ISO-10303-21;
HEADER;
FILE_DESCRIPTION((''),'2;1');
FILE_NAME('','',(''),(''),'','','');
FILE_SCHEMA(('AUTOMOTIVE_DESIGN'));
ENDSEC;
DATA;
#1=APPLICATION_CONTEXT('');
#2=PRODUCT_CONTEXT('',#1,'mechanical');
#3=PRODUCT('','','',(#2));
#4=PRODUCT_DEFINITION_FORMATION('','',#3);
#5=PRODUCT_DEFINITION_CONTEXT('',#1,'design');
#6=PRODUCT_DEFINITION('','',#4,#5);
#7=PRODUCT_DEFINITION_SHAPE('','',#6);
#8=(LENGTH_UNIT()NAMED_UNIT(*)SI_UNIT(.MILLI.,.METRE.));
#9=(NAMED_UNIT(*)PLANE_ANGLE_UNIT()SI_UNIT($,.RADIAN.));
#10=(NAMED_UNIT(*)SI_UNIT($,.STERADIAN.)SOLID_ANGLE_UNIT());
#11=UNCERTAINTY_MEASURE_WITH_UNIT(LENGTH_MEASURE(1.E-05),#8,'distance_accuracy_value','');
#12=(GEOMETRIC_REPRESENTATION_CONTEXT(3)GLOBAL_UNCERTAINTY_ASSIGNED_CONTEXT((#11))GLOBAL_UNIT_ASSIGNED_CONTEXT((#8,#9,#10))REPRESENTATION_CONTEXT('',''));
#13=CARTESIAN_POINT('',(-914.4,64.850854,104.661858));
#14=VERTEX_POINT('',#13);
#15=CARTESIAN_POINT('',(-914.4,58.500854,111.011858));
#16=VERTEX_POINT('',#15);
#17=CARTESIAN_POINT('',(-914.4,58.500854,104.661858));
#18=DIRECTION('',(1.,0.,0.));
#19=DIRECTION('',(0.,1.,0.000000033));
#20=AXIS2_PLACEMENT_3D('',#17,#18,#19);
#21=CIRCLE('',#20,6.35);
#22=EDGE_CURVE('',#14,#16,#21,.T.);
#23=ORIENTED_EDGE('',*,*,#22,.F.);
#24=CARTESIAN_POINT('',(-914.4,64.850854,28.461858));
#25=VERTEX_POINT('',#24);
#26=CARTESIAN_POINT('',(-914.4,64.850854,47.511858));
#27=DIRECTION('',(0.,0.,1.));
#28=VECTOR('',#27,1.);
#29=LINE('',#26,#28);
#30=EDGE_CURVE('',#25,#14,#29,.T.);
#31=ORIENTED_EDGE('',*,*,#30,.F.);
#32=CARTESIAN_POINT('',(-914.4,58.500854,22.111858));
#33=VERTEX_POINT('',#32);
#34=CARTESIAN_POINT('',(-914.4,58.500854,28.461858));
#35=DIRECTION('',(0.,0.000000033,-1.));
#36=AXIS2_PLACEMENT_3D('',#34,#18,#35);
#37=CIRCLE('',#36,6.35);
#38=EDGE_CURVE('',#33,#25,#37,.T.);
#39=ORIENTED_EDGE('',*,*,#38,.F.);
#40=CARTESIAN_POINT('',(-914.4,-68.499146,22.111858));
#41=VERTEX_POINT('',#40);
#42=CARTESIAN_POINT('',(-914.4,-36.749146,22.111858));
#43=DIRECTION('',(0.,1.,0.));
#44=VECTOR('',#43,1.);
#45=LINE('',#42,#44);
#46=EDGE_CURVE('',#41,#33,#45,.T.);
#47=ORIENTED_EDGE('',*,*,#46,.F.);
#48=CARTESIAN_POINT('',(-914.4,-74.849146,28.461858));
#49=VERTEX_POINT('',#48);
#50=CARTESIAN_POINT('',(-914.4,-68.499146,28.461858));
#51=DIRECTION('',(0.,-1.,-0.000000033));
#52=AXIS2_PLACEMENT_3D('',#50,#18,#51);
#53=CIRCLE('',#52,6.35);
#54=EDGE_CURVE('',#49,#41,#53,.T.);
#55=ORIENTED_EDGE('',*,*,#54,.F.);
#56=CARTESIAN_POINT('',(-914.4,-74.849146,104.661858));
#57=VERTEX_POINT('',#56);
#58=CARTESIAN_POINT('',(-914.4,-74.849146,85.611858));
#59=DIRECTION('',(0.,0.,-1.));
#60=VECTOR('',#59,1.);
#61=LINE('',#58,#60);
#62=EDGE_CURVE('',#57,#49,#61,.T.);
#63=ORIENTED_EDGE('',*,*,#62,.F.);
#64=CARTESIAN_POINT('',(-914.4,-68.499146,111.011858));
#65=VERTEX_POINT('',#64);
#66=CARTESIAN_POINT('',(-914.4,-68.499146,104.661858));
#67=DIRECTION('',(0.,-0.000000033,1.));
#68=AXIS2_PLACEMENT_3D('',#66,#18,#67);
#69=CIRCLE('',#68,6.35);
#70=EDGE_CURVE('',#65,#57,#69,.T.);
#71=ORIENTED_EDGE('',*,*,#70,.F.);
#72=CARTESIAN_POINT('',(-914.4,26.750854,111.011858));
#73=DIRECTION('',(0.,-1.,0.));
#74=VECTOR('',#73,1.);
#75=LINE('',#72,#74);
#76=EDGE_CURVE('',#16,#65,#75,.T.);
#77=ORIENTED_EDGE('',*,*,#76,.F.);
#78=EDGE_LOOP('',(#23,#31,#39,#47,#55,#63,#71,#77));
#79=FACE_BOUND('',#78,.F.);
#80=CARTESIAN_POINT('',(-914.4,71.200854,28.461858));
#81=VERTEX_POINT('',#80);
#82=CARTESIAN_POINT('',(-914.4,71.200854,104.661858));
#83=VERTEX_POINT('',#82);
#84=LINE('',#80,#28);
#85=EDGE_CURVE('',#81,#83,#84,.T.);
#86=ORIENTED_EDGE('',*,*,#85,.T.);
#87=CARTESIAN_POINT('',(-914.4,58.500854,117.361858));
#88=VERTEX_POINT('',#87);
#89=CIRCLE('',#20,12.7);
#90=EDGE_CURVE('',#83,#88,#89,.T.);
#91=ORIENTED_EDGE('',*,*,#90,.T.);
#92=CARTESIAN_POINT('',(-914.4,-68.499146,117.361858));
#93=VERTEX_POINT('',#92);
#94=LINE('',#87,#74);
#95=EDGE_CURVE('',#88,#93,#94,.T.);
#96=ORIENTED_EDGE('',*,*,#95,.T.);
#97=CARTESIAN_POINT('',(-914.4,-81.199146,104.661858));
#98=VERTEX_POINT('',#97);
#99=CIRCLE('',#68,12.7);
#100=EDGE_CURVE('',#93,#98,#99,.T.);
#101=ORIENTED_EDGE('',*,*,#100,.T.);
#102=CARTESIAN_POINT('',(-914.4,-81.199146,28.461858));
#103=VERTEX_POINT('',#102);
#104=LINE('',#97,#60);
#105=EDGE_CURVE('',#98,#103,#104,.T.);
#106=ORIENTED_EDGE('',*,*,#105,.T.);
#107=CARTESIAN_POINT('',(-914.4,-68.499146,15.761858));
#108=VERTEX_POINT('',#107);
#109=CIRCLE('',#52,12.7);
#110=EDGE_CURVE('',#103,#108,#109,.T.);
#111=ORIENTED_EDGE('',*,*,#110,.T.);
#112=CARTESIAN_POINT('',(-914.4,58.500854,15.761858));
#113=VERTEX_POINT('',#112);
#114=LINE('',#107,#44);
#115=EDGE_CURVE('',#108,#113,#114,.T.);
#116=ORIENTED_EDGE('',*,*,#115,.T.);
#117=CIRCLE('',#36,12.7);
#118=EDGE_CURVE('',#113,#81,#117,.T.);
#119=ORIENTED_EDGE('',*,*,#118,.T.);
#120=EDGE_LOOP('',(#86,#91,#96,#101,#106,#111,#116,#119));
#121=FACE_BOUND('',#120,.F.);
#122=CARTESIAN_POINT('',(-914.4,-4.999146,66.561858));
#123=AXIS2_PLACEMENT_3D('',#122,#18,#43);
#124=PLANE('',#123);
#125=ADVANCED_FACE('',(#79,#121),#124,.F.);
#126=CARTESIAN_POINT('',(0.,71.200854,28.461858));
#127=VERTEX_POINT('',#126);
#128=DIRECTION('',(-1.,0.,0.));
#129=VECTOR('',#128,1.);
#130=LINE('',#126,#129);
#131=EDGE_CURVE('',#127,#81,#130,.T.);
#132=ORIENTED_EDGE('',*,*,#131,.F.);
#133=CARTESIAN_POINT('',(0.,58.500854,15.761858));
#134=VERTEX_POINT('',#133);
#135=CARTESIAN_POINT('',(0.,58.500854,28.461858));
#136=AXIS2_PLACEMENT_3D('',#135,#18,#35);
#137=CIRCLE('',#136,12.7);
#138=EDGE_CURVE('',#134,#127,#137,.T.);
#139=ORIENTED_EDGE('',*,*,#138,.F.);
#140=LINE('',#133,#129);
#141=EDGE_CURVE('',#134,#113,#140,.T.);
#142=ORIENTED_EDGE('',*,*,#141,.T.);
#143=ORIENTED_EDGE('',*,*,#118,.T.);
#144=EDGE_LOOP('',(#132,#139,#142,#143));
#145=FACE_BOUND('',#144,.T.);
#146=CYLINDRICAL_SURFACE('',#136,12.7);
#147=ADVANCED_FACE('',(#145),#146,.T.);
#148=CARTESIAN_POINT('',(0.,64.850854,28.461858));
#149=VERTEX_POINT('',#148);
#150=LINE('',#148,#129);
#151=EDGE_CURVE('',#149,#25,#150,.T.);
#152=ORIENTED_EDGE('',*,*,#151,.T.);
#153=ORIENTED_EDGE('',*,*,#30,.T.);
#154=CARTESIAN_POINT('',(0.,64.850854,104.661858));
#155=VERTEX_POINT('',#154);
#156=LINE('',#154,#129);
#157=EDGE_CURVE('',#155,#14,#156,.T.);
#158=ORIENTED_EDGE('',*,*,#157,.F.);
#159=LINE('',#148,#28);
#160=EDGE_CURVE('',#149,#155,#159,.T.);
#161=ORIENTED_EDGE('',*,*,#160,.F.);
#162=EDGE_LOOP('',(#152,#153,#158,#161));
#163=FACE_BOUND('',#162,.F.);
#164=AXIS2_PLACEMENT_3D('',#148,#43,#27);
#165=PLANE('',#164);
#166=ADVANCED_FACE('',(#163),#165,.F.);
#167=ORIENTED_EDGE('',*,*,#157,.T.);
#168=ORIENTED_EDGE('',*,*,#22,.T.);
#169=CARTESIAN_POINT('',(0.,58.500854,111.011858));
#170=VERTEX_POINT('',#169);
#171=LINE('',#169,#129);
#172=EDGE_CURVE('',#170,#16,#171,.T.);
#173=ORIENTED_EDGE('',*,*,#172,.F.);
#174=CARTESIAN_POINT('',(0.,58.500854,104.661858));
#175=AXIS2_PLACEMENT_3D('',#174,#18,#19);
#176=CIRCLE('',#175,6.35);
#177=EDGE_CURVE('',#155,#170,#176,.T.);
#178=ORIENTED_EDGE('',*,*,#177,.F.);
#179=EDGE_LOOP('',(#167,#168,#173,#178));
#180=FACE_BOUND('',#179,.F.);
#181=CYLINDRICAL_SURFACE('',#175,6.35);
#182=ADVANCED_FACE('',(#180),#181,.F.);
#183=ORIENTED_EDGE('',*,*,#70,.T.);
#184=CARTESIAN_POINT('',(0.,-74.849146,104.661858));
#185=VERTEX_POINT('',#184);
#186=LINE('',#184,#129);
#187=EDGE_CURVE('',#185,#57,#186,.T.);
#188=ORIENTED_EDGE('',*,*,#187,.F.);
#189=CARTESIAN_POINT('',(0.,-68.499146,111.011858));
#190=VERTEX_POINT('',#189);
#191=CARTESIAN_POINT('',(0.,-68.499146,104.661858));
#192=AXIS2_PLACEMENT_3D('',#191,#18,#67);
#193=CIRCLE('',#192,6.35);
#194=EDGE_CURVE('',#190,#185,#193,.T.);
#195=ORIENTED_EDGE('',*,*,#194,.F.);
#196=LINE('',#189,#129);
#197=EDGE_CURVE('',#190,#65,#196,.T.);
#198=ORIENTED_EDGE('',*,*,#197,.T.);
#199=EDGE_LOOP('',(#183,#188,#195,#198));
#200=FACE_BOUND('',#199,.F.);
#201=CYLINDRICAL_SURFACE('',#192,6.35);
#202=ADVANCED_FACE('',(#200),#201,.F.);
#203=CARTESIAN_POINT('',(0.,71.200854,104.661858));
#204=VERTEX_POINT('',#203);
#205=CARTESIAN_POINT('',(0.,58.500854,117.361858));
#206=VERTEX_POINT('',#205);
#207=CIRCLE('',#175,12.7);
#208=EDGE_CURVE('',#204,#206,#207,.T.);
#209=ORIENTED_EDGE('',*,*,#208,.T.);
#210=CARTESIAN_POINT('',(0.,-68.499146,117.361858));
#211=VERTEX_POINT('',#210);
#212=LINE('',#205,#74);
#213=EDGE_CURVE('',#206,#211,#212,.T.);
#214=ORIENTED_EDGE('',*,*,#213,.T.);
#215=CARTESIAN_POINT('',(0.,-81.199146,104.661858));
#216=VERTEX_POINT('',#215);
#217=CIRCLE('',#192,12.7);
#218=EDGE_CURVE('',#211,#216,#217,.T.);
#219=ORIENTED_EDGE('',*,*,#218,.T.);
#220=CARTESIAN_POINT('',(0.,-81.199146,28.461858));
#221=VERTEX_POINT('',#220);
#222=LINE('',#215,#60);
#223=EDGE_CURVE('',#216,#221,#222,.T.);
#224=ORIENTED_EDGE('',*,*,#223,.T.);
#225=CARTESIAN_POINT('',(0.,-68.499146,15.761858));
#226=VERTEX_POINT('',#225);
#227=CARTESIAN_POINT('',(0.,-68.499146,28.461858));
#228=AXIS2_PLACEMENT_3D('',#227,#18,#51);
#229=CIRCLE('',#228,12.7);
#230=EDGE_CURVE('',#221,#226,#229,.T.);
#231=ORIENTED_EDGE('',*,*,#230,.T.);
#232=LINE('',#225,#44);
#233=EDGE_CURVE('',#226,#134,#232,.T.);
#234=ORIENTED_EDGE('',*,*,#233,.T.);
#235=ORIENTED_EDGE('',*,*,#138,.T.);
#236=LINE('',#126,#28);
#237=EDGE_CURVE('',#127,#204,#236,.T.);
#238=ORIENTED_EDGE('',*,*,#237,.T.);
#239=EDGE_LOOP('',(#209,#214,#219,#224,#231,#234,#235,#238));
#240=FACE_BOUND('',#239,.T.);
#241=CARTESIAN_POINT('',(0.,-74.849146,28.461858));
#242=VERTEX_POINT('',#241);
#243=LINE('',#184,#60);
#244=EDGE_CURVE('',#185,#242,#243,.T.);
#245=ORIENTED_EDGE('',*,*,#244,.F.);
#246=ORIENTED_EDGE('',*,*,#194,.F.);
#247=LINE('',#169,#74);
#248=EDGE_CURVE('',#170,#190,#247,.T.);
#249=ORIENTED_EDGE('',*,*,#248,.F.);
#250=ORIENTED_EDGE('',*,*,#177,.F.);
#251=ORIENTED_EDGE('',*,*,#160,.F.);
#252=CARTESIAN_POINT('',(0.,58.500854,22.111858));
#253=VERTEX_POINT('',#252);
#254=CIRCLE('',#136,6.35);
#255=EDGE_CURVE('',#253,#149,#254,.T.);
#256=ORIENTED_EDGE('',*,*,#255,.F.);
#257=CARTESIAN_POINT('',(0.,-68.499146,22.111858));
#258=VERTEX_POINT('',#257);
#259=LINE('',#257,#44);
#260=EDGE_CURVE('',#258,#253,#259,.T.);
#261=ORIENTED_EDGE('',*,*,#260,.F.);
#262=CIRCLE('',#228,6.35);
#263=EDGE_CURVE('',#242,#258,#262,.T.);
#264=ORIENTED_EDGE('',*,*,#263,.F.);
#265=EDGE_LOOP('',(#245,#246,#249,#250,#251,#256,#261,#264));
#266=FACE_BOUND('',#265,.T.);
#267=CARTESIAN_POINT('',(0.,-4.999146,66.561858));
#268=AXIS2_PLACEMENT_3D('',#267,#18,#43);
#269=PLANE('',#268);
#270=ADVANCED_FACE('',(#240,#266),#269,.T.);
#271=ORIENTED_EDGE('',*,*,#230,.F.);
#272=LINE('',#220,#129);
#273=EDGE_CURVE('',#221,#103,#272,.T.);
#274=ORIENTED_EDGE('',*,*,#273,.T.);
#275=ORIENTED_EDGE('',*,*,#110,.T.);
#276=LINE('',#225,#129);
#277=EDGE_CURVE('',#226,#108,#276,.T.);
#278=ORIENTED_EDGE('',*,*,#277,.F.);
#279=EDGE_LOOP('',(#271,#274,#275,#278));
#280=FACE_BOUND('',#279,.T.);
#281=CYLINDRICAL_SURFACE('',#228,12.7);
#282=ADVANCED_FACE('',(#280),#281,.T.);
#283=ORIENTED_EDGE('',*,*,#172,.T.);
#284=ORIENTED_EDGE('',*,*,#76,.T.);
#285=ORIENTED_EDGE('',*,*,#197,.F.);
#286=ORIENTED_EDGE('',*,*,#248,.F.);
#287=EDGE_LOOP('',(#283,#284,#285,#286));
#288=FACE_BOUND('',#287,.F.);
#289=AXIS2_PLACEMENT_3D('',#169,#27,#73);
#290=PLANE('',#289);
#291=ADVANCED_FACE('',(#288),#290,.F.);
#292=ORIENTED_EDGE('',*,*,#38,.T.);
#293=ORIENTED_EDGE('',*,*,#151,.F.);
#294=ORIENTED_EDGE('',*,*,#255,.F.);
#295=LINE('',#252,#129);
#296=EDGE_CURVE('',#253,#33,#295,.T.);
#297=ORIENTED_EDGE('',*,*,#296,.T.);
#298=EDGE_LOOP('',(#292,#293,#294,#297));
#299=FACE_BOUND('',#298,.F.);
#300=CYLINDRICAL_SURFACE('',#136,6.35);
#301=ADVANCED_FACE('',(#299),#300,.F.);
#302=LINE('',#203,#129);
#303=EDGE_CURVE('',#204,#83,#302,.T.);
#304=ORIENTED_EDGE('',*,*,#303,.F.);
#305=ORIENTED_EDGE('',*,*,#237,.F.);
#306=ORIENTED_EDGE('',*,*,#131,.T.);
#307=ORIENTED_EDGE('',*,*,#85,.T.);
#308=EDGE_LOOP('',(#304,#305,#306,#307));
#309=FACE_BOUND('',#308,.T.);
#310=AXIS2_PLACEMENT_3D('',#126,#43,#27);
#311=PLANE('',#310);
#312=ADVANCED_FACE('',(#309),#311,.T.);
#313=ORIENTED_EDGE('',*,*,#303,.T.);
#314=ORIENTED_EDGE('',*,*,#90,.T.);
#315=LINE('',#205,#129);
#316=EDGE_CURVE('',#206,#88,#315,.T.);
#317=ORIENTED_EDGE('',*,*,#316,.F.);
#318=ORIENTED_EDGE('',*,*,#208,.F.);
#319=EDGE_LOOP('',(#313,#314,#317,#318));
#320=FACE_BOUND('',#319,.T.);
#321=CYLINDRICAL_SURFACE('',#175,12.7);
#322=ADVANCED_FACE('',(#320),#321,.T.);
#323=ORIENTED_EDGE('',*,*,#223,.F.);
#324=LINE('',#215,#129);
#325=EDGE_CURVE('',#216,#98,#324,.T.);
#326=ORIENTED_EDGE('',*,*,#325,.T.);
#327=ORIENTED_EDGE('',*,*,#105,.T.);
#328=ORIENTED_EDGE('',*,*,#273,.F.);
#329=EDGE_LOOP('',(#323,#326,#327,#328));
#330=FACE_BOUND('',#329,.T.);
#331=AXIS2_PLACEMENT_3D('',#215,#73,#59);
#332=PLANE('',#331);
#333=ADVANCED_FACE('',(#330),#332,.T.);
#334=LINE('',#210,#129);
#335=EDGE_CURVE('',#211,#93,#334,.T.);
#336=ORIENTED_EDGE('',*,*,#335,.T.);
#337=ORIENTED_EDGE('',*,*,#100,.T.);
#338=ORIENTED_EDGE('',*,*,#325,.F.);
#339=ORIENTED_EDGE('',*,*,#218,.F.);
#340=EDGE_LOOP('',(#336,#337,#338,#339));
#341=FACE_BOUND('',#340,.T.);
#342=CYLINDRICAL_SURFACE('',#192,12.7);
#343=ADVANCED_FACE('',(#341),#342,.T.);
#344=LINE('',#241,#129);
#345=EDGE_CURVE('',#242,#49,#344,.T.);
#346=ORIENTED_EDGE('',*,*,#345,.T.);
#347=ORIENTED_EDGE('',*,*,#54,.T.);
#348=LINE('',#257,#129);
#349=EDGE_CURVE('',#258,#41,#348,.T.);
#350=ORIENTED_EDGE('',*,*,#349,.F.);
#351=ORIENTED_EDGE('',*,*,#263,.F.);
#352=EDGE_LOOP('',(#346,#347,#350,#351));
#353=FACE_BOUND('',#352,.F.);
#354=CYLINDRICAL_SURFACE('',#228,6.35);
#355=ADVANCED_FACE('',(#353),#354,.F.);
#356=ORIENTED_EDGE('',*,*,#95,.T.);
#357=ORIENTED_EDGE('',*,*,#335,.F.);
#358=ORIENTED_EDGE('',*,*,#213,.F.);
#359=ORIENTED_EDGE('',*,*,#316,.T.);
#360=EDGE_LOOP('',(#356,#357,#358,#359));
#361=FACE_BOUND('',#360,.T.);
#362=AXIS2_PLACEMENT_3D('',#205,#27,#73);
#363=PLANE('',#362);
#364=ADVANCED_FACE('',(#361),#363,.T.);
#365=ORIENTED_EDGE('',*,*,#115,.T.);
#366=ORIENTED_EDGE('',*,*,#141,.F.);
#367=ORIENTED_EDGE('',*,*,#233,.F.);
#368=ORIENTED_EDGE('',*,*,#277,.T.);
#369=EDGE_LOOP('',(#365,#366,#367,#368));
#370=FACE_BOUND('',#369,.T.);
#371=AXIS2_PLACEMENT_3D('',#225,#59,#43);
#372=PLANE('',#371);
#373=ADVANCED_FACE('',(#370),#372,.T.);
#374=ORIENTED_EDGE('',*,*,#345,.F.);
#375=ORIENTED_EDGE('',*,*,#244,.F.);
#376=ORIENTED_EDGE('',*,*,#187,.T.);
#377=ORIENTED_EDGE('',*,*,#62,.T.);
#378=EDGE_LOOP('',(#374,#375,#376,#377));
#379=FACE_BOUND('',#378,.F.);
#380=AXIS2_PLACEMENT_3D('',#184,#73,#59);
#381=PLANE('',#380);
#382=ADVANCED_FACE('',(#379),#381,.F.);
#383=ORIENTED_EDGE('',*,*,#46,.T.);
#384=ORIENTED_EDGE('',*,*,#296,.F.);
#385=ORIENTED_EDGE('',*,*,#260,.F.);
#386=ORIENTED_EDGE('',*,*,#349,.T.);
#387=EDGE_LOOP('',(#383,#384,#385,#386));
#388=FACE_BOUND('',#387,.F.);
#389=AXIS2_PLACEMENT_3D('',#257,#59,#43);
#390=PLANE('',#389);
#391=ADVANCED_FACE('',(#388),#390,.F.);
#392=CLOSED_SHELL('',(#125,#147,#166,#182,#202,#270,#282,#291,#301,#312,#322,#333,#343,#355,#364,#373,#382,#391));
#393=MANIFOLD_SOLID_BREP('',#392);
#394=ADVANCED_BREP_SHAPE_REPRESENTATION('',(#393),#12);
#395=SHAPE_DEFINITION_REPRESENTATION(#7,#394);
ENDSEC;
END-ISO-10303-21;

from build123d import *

# Parameters (mm, degrees)
F1_DEPTH = 914.4
F3_DEPTH = 914.401


with BuildPart() as f1:
    # F0 (on Right) → F1 (new body)
    with BuildSketch(Plane.YZ):
        with BuildLine():
            ThreePointArc((-81.199146, 28.461858), (-77.479402, 19.481602), (-68.499146, 15.761858))
            Line((-68.499146, 15.761858), (58.500854, 15.761858))
            ThreePointArc((58.500854, 15.761858), (67.48111, 19.481602), (71.200854, 28.461858))
            Line((71.200854, 28.461858), (71.200854, 104.661858))
            ThreePointArc((71.200854, 104.661858), (67.48111, 113.642114), (58.500854, 117.361858))
            Line((58.500854, 117.361858), (-68.499146, 117.361858))
            ThreePointArc((-68.499146, 117.361858), (-77.479402, 113.642114), (-81.199146, 104.661858))
            Line((-81.199146, 104.661858), (-81.199146, 28.461858))
        make_face()
    extrude(amount=-F1_DEPTH)

    # F2 (on face) → F3 (cut, through all)
    with BuildSketch(Plane.YZ):
        with BuildLine():
            ThreePointArc((-74.849146, 28.461858), (-72.989274, 23.97173), (-68.499146, 22.111858))
            Line((-68.499146, 22.111858), (58.500854, 22.111858))
            ThreePointArc((58.500854, 22.111858), (62.990982, 23.97173), (64.850854, 28.461858))
            Line((64.850854, 28.461858), (64.850854, 104.661858))
            ThreePointArc((64.850854, 104.661858), (62.990982, 109.151986), (58.500854, 111.011858))
            Line((58.500854, 111.011858), (-68.499146, 111.011858))
            ThreePointArc((-68.499146, 111.011858), (-72.989274, 109.151986), (-74.849146, 104.661858))
            Line((-74.849146, 104.661858), (-74.849146, 28.461858))
        make_face()
    extrude(amount=-F3_DEPTH, mode=Mode.SUBTRACT)


solid = f1.part
